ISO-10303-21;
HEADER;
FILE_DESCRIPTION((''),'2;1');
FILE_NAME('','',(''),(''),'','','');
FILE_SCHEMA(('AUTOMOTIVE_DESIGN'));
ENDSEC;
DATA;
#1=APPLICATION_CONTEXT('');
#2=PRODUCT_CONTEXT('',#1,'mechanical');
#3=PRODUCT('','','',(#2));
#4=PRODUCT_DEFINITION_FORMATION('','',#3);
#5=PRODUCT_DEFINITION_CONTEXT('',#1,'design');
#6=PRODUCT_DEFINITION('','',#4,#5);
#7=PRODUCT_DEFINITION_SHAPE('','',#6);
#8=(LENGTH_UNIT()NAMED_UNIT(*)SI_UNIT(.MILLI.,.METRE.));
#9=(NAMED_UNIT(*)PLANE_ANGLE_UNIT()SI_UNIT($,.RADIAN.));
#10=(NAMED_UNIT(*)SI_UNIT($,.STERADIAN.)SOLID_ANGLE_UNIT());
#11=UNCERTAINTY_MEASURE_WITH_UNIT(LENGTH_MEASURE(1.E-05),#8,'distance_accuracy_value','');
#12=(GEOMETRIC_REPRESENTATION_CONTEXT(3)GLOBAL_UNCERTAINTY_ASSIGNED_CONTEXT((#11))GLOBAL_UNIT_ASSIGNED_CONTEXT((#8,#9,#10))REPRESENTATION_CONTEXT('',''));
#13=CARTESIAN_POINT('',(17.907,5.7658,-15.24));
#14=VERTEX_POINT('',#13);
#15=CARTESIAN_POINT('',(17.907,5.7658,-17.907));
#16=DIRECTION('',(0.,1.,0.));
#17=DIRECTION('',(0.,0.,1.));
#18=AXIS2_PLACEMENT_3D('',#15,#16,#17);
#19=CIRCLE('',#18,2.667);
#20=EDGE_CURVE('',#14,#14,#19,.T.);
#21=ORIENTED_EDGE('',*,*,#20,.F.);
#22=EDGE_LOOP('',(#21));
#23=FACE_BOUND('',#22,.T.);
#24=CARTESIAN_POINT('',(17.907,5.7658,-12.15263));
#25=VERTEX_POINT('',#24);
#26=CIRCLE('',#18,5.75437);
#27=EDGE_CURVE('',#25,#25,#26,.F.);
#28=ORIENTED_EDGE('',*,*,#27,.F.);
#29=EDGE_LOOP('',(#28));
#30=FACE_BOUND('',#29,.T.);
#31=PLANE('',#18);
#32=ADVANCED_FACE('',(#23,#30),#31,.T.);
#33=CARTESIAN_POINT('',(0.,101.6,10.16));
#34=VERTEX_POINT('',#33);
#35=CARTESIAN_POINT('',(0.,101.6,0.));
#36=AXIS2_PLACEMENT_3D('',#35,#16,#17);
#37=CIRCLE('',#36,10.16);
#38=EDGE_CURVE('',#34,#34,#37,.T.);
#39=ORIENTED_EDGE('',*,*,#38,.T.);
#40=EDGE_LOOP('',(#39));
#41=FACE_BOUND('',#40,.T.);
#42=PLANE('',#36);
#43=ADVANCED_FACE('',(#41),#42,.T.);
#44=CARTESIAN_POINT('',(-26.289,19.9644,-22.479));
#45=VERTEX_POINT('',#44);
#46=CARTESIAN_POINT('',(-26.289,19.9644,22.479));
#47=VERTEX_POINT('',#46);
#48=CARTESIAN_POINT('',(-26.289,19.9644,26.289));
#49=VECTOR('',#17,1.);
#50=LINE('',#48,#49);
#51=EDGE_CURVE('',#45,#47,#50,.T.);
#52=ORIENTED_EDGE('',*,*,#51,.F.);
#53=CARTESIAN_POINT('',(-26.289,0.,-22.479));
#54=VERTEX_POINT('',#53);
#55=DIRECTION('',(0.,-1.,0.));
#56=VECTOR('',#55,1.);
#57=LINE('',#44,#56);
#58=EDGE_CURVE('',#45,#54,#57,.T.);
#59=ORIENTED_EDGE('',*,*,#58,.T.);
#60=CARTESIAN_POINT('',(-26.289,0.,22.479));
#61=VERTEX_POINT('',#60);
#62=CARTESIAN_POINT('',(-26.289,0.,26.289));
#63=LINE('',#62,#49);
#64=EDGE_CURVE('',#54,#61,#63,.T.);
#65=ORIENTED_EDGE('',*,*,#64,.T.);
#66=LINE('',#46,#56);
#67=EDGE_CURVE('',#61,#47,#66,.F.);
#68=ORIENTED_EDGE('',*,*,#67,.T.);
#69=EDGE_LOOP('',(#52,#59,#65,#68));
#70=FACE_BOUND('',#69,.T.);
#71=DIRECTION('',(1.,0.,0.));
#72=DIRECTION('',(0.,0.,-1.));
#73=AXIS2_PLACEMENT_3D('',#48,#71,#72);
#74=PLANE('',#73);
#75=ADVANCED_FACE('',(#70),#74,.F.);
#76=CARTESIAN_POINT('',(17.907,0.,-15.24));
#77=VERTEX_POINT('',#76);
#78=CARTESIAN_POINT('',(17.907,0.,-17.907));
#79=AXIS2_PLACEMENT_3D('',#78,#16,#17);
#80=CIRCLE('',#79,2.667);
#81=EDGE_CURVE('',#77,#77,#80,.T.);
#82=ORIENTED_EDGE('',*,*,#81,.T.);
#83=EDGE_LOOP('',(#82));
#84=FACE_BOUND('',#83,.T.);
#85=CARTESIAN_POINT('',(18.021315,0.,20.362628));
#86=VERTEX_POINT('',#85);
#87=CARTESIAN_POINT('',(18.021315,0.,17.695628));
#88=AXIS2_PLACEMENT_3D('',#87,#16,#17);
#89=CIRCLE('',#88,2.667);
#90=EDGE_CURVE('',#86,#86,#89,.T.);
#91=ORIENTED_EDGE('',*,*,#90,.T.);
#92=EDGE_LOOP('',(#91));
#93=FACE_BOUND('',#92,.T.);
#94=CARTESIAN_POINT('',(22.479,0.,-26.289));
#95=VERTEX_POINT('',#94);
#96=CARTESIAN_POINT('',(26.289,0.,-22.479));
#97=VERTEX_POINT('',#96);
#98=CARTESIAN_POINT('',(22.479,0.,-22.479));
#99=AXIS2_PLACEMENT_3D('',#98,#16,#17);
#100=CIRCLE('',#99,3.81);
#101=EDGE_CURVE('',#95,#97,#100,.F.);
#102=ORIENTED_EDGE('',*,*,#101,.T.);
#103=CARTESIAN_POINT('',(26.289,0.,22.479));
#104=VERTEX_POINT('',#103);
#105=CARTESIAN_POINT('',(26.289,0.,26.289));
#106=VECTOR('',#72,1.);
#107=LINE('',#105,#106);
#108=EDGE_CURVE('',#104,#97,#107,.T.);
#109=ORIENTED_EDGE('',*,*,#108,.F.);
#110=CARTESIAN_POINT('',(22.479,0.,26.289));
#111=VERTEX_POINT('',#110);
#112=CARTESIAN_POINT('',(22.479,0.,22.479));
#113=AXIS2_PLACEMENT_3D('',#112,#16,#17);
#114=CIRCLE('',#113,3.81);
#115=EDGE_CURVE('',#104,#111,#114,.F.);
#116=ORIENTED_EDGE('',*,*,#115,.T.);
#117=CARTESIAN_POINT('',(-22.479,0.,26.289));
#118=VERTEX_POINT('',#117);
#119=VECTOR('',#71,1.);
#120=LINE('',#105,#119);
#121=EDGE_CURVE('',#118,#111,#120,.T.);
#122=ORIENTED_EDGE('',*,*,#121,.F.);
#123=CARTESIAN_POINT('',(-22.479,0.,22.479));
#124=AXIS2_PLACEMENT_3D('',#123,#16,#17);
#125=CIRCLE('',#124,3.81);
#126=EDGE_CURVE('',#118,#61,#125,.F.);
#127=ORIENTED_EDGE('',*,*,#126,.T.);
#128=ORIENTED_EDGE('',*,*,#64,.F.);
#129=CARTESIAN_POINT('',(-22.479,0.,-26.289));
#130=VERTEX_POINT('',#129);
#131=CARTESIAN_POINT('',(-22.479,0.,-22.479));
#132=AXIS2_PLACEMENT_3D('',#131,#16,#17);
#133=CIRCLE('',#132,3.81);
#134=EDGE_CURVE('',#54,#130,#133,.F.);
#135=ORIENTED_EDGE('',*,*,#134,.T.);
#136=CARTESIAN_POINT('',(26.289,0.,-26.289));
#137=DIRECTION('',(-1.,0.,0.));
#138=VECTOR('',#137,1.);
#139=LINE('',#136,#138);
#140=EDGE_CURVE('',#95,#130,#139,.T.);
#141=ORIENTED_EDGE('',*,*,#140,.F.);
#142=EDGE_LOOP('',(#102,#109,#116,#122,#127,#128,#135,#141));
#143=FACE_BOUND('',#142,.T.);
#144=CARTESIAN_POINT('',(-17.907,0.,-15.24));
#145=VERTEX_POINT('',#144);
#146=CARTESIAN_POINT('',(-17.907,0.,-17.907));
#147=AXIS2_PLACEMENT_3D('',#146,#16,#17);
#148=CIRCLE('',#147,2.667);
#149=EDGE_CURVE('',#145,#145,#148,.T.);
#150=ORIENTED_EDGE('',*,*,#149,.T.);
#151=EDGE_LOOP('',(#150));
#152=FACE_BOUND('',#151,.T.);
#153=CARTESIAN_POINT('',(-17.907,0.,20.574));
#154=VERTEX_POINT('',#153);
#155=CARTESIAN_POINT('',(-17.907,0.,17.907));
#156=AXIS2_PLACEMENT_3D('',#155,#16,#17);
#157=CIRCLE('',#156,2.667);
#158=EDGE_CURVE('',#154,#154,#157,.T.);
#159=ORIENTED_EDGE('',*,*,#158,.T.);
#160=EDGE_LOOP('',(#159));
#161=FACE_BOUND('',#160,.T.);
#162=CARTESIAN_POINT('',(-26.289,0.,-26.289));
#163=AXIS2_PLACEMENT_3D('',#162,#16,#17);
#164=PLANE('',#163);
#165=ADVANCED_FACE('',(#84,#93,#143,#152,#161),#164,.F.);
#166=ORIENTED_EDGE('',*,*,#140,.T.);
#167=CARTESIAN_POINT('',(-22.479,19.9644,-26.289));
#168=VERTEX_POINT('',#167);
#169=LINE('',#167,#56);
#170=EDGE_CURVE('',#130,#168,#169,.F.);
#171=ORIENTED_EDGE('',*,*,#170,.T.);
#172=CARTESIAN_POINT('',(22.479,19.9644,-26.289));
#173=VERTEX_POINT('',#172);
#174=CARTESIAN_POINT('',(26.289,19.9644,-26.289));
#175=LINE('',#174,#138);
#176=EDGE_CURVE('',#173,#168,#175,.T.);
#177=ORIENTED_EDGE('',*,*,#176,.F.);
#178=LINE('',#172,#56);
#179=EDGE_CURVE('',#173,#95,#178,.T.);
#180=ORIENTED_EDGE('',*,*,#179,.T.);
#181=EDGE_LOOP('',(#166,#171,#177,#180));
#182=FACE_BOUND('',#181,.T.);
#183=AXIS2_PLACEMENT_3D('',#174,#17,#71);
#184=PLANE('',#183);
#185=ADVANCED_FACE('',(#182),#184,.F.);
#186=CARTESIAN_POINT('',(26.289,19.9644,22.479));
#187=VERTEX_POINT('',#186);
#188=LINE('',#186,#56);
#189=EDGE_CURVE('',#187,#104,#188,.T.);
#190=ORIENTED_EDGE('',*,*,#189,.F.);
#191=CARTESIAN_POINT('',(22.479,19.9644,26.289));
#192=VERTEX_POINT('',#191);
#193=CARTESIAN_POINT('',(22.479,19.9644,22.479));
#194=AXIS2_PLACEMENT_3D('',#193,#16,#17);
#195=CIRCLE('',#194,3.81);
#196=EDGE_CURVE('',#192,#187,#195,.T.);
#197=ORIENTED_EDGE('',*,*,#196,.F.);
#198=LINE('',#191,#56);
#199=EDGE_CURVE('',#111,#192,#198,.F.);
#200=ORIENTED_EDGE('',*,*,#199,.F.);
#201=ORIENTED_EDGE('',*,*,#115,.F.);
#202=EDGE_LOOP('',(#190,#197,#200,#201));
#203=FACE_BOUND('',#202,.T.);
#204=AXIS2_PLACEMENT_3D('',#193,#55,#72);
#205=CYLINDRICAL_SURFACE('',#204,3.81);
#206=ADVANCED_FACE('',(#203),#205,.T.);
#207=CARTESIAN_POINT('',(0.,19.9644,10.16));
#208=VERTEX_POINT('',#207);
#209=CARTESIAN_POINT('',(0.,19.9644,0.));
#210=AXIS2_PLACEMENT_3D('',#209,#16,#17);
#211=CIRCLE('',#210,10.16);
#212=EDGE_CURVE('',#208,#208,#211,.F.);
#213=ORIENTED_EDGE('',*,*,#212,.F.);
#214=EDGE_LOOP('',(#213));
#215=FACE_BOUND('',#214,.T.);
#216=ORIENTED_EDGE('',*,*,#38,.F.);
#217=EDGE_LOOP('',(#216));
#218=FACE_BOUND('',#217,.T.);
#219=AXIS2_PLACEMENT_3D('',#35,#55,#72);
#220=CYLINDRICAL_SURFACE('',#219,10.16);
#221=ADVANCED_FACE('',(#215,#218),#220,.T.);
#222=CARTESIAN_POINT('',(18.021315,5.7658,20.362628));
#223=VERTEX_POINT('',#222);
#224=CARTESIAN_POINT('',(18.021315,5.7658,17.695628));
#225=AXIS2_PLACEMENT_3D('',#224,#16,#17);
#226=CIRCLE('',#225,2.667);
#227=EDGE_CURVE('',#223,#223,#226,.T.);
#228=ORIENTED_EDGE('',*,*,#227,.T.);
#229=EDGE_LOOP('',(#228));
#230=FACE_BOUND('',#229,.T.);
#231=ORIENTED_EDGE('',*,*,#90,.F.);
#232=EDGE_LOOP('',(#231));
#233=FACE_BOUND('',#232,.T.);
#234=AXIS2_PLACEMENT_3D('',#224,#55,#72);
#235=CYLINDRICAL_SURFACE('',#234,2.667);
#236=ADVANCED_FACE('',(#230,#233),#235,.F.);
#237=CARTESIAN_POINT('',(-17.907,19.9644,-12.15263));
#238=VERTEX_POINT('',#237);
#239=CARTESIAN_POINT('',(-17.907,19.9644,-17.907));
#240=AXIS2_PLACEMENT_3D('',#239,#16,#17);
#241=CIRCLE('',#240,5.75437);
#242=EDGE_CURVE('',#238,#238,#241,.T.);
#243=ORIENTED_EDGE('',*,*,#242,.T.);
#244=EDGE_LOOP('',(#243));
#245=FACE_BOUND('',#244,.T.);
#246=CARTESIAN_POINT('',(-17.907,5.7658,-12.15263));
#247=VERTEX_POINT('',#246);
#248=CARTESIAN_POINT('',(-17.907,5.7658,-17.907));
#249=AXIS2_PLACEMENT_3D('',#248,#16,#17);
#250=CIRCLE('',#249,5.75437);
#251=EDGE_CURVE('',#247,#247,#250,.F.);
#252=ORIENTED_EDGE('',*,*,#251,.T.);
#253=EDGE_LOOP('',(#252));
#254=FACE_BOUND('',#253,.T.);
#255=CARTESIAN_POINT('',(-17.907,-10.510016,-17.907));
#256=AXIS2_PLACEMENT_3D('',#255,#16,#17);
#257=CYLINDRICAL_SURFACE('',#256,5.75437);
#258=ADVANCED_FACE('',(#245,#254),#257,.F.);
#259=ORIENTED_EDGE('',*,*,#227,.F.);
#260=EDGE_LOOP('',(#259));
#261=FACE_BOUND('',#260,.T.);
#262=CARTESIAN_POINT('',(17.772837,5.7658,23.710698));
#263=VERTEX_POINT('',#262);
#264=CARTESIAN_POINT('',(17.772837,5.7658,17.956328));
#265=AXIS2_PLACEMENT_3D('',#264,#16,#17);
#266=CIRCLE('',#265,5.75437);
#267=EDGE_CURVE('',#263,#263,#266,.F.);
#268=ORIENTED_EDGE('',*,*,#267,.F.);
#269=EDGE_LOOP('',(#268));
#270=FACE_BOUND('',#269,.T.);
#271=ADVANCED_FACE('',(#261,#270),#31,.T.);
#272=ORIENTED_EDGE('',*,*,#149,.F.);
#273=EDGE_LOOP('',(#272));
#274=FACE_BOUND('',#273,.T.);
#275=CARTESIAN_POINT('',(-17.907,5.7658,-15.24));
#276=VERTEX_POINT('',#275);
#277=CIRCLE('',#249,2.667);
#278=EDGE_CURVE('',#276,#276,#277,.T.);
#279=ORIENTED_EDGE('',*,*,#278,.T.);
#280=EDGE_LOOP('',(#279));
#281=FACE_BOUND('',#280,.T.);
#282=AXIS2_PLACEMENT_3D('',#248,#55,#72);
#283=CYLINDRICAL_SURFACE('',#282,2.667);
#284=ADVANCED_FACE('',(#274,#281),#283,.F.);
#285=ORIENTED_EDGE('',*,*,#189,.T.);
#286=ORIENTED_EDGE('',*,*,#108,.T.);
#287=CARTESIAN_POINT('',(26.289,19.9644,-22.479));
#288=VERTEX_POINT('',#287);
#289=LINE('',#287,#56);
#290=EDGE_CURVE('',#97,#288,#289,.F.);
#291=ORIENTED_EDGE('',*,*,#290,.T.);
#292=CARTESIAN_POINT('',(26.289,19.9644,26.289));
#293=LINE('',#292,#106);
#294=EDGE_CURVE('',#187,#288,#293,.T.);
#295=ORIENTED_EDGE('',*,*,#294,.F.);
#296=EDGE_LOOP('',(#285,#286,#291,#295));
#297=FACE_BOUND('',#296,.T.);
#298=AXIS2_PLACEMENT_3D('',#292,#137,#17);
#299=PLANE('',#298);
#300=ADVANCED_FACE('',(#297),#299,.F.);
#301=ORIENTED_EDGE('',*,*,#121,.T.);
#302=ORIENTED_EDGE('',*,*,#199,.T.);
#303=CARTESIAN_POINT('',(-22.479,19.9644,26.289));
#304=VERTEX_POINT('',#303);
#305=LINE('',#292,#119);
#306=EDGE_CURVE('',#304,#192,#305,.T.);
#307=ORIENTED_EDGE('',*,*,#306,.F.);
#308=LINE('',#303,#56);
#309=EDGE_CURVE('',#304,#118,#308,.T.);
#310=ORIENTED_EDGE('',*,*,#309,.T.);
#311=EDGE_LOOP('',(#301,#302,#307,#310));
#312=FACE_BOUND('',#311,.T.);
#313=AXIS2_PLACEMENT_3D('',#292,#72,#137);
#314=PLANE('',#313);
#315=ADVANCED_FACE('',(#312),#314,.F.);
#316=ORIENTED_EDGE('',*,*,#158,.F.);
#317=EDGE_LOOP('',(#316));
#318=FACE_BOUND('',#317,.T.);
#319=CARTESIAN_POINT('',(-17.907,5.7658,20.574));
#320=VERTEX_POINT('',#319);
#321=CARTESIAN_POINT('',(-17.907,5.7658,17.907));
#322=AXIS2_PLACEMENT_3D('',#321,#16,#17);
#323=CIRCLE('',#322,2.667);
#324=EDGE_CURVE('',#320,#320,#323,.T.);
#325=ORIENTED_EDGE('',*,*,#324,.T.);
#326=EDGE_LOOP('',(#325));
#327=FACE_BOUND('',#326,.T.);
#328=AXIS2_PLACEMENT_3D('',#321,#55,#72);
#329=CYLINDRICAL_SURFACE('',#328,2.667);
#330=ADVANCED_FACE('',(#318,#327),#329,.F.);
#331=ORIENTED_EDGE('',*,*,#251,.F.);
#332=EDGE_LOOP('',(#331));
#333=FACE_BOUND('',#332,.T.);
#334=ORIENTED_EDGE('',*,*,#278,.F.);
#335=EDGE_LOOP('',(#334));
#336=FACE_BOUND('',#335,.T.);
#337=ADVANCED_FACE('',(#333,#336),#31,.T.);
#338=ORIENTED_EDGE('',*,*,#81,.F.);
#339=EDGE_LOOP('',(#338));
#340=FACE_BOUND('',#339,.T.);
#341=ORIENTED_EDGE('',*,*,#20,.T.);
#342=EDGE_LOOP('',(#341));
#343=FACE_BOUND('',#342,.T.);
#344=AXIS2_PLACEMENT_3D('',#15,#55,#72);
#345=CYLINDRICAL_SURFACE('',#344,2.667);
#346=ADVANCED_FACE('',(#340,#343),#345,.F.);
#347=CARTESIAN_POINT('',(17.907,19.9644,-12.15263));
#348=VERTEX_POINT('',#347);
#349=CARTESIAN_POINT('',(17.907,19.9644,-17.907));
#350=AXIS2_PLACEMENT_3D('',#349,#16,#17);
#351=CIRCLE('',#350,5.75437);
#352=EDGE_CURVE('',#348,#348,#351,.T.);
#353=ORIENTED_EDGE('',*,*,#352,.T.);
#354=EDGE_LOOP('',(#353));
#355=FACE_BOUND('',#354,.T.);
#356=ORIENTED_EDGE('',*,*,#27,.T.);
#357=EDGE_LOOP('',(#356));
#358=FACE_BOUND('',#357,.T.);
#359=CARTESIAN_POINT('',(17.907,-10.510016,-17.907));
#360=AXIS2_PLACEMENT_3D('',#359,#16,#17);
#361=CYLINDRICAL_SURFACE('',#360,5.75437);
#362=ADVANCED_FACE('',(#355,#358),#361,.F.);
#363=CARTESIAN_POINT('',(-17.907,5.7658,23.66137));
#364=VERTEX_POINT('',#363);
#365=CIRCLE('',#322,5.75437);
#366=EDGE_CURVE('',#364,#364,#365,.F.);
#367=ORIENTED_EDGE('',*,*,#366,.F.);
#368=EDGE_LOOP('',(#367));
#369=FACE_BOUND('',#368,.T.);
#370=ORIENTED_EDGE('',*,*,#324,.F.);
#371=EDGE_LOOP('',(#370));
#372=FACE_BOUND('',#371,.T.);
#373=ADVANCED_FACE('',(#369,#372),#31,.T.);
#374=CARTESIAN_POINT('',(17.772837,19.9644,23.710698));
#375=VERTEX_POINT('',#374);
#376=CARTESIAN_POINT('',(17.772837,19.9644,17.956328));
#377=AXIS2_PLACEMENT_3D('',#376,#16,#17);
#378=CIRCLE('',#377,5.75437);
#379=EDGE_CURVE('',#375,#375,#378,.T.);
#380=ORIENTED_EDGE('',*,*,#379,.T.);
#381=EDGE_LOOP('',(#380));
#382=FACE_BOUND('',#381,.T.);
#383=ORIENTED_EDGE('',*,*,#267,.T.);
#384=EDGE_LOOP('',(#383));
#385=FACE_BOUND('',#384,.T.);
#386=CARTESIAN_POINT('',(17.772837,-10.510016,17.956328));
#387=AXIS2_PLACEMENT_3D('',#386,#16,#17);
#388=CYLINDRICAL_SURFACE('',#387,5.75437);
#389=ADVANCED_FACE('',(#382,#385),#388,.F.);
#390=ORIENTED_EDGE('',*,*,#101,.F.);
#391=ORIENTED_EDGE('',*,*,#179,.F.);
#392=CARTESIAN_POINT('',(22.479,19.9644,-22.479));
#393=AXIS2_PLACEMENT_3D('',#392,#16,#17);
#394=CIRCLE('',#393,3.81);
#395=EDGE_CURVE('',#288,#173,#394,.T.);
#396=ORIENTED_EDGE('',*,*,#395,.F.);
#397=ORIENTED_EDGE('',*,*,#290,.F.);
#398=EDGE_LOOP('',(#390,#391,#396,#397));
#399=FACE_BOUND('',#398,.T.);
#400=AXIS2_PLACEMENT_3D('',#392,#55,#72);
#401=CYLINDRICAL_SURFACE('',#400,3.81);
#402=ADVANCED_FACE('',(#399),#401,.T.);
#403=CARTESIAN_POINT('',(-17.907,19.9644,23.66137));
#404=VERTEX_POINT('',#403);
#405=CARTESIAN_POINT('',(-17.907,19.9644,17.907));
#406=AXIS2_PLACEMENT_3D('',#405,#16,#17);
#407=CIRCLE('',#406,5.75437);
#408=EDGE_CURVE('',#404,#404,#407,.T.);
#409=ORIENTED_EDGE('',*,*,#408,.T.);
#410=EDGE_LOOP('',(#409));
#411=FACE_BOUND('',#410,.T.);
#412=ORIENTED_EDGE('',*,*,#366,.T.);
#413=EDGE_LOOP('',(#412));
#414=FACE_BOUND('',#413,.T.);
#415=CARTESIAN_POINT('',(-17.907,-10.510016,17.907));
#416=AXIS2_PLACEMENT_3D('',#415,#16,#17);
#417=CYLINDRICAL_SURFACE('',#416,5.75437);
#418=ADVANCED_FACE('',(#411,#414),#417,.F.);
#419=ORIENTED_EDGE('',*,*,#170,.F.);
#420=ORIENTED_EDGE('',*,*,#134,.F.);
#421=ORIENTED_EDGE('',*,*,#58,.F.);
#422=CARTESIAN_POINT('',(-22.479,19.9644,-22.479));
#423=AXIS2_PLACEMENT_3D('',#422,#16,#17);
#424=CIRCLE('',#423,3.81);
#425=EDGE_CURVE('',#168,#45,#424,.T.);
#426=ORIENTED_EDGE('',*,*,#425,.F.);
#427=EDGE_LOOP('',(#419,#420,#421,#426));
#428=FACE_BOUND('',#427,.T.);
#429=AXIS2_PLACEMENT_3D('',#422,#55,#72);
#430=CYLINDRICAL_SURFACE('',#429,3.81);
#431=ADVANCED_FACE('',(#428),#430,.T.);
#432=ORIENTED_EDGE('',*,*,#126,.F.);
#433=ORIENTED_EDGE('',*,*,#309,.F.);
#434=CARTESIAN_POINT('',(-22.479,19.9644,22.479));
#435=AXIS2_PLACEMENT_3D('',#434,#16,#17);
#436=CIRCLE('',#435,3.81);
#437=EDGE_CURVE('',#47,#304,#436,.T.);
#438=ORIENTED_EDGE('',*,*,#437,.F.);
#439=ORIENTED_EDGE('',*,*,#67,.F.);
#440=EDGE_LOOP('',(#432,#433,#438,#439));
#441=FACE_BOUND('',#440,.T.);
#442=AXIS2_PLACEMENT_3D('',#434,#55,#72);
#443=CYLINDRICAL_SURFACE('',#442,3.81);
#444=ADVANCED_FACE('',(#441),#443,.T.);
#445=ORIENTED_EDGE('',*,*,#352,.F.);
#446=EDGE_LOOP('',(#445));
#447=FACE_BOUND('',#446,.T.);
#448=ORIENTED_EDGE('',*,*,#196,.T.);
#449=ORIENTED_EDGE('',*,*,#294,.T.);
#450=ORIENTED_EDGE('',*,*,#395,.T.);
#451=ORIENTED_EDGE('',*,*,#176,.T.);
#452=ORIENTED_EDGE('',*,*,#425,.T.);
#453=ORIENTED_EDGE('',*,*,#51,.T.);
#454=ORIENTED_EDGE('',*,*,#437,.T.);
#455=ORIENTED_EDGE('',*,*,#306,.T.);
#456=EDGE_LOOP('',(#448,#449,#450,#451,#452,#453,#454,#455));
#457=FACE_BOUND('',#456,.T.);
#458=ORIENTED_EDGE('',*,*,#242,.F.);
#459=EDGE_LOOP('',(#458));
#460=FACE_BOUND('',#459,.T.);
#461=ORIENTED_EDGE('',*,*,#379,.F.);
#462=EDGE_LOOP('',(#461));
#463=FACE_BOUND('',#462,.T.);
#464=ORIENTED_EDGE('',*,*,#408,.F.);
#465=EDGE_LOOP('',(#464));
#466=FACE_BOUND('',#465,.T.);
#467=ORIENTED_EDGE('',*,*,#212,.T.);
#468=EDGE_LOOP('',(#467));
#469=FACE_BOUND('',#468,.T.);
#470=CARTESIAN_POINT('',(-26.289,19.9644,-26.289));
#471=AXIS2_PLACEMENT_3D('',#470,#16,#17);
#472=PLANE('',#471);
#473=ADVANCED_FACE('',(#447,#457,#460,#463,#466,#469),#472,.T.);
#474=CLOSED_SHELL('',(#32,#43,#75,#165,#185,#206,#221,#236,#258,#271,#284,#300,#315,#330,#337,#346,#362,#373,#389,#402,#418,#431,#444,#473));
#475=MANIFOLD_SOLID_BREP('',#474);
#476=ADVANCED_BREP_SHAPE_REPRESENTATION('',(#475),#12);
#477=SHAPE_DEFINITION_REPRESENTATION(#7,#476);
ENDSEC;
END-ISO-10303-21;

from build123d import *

# Parameters (mm, degrees)
SKETCH1_W           = 52.578
SKETCH1_H           = 52.578
EXTRUDE1_DEPTH      = 19.9644
EXTRUDE2_START      = -19.9644
SKETCH2_R           = 2.667
EXTRUDE2_DEPTH      = 5.7658
EXTRUDE4_START      = -19.9644
SKETCH6_R           = 5.75437
EXTRUDE4_DEPTH      = 14.1986
FILLET2_R           = 3.81
SKETCH7_R           = 10.16
BOSS_EXTRUDE1_DEPTH = 101.6


with BuildPart() as part:
    # Sketch1 → Extrude1 (new body)
    with BuildSketch(Plane(origin=(0, 0, 0), x_dir=(1, 0, 0), z_dir=(0, 1, 0))):
        Rectangle(SKETCH1_W, SKETCH1_H)
    extrude(amount=EXTRUDE1_DEPTH)

    # Sketch2 → Extrude2 (cut)
    with BuildSketch(Plane(origin=(0, 19.9644, 0), x_dir=(1, 0, 0), z_dir=(0, 1, 0)).offset(EXTRUDE2_START)):
        with Locations((-17.907, 17.907)):
            Circle(SKETCH2_R)
        with Locations((-17.907, -17.907)):
            Circle(SKETCH2_R)
        with Locations((18.02131475, -17.695628339)):
            Circle(SKETCH2_R)
        with Locations((17.907, 17.907)):
            Circle(SKETCH2_R)
    extrude(amount=EXTRUDE2_DEPTH, mode=Mode.SUBTRACT)

    # Sketch6 → Extrude4 (cut)
    with BuildSketch(Plane.XZ.offset(EXTRUDE4_START)):
        with Locations((-17.907, -17.907)):
            Circle(SKETCH6_R)
        with Locations((-17.907, 17.907)):
            Circle(SKETCH6_R)
        with Locations((17.772836554, 17.95632809)):
            Circle(SKETCH6_R)
        with Locations((17.907, -17.907)):
            Circle(SKETCH6_R)
    extrude(amount=EXTRUDE4_DEPTH, mode=Mode.SUBTRACT)

    # Fillet2
    fillet2_edges = [part.edges().sort_by_distance(p)[0] for p in [
        (-26.289, 9.9822, -26.289),
        (26.289, 9.9822, -26.289),
        (26.289, 9.9822, 26.289),
        (-26.289, 9.9822, 26.289),
    ]]
    fillet(fillet2_edges, radius=FILLET2_R)

    # Sketch7 → Boss-Extrude1 (add)
    with BuildSketch(Plane(origin=(0, 0, 0), x_dir=(1, 0, 0), z_dir=(0, 1, 0))):
        Circle(SKETCH7_R)
    extrude(amount=BOSS_EXTRUDE1_DEPTH)


solid = part.part
